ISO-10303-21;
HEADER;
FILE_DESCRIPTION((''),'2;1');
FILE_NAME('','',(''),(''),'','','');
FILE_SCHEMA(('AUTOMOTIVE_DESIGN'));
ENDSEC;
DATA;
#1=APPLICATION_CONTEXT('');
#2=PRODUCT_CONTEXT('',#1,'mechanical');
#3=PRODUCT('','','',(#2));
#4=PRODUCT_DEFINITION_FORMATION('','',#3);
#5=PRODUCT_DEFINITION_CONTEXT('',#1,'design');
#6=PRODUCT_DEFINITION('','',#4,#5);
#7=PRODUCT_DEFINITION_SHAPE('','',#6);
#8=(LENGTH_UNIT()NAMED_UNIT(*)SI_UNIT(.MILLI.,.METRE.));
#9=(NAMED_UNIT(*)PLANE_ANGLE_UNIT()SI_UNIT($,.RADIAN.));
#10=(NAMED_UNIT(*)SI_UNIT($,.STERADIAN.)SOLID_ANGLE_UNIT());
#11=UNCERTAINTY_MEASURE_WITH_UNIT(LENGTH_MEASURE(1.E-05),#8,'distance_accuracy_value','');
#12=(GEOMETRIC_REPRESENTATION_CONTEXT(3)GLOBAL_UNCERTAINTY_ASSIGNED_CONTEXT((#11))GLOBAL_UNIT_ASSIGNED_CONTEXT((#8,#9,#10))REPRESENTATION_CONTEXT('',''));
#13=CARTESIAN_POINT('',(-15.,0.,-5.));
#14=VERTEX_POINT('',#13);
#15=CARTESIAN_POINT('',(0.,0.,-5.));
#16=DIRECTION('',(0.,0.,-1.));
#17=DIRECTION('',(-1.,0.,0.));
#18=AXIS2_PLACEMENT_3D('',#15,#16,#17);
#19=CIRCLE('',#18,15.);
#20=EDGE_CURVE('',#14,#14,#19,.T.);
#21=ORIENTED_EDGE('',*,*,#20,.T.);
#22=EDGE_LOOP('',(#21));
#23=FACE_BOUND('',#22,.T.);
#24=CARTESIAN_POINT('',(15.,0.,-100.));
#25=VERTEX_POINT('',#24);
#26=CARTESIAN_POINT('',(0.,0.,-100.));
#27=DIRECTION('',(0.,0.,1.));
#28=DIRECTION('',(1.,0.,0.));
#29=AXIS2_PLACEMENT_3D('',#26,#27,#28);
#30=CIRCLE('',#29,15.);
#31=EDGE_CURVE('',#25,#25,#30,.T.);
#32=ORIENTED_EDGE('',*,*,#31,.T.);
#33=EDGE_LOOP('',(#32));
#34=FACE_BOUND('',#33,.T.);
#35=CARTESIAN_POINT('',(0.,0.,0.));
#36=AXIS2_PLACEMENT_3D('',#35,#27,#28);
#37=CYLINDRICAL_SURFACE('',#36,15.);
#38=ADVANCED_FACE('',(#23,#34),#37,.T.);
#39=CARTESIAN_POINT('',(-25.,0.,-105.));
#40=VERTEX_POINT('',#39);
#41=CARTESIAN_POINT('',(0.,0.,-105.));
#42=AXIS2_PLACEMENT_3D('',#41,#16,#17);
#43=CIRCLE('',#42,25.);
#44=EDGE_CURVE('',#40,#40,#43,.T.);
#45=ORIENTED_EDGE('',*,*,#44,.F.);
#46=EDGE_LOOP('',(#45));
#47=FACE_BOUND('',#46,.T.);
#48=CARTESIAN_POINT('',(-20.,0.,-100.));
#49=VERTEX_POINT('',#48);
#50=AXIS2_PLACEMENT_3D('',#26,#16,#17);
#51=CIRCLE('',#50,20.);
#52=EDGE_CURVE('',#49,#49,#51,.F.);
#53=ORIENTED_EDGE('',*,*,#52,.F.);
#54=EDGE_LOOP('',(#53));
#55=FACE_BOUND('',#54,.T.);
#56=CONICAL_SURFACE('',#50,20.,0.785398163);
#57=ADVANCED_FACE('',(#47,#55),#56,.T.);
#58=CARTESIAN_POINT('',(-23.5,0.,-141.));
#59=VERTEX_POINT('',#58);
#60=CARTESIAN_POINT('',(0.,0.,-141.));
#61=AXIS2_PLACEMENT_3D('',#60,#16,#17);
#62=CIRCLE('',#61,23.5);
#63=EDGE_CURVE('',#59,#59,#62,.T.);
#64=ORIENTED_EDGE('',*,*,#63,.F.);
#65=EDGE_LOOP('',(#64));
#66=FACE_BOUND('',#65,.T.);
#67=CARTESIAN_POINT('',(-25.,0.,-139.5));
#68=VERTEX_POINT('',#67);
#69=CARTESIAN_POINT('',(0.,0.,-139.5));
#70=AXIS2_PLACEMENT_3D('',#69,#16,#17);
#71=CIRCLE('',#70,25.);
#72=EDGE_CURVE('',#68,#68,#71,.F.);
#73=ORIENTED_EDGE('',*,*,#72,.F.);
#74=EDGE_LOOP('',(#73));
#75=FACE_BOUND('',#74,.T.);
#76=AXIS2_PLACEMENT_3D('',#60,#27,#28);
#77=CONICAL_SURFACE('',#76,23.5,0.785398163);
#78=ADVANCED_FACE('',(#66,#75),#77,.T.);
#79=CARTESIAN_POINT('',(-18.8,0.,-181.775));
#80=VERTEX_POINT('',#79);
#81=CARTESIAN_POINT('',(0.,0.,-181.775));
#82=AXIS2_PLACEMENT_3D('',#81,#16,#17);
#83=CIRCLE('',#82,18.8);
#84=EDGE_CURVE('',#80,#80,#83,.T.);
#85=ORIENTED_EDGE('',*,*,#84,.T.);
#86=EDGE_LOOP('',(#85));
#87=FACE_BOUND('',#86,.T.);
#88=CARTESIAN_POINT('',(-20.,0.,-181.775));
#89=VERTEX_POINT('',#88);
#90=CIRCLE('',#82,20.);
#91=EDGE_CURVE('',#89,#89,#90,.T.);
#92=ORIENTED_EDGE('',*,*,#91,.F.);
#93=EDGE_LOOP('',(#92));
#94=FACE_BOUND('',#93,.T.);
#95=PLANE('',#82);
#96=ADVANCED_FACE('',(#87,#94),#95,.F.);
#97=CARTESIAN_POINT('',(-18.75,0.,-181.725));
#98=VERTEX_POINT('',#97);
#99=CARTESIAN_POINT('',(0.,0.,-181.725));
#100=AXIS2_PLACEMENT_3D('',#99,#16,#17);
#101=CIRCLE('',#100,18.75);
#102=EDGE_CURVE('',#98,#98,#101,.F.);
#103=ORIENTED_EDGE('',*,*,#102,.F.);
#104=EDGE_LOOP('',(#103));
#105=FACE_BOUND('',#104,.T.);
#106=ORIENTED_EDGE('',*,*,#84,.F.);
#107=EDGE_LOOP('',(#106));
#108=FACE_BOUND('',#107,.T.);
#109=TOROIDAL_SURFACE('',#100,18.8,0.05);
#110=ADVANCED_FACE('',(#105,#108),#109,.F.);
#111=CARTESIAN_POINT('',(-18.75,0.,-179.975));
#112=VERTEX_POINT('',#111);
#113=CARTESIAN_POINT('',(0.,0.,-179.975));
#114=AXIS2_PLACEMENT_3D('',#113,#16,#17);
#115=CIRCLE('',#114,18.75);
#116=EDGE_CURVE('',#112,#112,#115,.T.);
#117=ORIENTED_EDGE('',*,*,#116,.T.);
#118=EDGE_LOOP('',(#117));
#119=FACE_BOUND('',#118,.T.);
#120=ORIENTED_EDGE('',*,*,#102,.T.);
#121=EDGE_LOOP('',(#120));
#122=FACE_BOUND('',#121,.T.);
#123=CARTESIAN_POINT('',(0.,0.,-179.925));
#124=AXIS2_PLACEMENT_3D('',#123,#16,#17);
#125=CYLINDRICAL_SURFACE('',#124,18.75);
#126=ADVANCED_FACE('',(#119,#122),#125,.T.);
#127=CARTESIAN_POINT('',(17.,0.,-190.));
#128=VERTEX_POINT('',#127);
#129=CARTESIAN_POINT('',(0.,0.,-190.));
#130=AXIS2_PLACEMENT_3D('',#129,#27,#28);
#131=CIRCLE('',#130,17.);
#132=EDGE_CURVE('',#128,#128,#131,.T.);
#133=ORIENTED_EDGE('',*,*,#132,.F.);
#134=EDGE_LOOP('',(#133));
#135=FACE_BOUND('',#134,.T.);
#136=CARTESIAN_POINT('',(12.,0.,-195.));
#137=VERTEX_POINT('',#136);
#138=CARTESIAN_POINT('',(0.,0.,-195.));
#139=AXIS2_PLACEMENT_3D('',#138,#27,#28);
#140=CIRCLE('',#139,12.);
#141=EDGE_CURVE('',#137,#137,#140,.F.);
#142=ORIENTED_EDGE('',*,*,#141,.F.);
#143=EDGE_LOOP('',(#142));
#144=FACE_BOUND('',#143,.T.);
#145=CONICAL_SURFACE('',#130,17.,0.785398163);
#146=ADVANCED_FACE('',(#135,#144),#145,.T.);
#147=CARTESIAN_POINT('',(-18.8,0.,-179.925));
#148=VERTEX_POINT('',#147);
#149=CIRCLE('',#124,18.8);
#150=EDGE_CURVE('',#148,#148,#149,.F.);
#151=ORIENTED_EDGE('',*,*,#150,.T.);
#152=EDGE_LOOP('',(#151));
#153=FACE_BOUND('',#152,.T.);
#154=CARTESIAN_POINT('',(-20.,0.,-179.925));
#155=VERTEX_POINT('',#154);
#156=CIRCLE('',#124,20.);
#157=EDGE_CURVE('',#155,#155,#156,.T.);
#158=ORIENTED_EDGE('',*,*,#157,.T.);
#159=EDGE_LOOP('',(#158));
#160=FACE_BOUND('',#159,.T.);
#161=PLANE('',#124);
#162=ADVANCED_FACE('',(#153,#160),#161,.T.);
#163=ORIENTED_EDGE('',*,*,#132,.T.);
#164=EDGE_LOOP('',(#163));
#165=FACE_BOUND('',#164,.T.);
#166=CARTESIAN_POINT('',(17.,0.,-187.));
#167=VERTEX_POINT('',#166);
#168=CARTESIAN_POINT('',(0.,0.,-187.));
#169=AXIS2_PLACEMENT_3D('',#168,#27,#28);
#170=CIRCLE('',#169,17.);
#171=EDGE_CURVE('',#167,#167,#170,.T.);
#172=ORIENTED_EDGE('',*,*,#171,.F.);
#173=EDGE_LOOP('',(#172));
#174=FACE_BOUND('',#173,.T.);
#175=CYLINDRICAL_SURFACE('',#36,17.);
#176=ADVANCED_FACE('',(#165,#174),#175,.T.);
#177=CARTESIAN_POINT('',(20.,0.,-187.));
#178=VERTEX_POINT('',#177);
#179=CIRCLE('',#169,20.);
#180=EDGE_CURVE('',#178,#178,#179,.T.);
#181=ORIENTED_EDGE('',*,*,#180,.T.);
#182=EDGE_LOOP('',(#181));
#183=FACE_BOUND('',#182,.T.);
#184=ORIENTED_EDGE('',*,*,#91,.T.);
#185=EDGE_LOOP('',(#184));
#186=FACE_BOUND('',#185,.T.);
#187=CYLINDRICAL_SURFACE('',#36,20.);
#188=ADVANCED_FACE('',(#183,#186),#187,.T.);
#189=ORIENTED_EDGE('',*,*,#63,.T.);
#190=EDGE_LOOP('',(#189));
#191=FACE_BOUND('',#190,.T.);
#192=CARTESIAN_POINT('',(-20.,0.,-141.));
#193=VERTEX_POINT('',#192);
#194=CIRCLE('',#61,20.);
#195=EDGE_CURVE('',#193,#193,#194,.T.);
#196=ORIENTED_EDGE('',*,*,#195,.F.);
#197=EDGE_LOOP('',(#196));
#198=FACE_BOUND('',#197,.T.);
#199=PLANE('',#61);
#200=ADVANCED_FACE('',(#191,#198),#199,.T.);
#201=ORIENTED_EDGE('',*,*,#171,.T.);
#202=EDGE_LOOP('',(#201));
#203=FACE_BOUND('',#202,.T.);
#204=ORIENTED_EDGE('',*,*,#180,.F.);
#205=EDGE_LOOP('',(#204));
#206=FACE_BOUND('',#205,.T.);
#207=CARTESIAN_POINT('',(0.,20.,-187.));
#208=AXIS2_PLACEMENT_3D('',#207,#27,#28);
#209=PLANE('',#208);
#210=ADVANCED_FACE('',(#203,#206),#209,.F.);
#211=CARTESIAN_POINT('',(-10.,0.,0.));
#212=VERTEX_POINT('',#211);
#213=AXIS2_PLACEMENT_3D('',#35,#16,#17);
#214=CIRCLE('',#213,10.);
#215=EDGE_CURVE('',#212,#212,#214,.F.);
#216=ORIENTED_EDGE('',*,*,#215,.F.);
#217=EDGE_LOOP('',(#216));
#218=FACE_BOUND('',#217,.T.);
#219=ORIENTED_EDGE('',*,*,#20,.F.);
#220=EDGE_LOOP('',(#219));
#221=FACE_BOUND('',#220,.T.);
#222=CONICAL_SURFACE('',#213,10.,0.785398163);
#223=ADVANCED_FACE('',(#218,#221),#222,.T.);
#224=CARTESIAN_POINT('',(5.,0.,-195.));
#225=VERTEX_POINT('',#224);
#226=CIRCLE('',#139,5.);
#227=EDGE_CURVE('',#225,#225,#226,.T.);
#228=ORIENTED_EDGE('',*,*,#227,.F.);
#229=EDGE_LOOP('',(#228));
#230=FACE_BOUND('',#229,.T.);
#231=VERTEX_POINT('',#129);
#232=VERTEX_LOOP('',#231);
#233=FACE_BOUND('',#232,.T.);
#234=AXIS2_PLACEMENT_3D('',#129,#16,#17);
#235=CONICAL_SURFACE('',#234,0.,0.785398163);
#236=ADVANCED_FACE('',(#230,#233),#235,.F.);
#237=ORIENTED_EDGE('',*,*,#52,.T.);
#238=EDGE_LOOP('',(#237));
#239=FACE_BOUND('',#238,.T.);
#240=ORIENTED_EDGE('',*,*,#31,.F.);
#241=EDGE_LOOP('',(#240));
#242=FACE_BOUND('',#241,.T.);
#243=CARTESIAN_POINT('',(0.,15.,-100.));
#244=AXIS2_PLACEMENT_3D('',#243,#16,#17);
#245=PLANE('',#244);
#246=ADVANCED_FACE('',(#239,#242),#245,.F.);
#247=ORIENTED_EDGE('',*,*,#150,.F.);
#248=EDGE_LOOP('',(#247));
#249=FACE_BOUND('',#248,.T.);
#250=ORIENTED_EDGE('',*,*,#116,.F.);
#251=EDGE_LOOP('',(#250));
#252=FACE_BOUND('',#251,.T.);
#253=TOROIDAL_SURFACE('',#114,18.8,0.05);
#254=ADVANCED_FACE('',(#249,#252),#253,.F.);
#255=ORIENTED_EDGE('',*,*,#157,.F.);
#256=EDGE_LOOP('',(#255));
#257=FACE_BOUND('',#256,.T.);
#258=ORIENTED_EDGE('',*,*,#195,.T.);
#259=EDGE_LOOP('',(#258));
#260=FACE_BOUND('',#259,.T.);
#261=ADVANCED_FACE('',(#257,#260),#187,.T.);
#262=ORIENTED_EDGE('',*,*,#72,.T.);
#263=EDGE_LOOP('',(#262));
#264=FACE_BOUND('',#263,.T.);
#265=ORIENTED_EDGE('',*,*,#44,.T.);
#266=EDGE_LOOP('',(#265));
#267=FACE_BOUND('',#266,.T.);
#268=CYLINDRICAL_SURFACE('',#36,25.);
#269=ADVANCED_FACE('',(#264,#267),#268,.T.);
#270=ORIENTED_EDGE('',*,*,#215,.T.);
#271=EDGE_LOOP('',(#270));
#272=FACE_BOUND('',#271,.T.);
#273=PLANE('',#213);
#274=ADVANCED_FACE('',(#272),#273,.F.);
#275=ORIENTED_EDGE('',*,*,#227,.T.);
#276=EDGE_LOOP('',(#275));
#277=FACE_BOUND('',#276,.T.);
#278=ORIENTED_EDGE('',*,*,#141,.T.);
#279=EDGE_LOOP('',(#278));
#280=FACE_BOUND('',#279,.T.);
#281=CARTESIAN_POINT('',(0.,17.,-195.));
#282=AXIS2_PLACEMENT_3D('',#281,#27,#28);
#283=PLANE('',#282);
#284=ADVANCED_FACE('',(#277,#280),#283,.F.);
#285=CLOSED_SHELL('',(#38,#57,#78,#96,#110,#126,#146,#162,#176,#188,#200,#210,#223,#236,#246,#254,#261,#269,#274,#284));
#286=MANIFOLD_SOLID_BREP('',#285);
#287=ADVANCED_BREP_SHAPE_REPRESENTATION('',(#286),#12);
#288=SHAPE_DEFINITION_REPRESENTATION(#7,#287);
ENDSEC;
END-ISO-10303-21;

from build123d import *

# Parameters (mm, degrees)
CHAMFER_1_SIZE      = 5
SKETCH_4_R          = 20
SKETCH_4_R_2        = 18.75
CUT_EXTRUDE_1_DEPTH = 1.85
FILLET_1_R          = 0.05
CHAMFER_2_SIZE      = 1.5
SKETCH_9_R          = 25
SKETCH_9_R_2        = 20
CUT_EXTRUDE_4_DEPTH = 6
CHAMFER_3_SIZE      = 1.5


with BuildPart() as part:
    # Эскиз1 → Повернуть1 (revolve)
    with BuildSketch(Plane(origin=(0, 0, 0), x_dir=(0, 0, -1), z_dir=(1, 0, 0))):
        Polygon((0, 0), (0, 15), (100, 15), (100, 25), (147, 25), (147, 20), (187, 20), (187, 17), (195, 17), (195, 5), (190, 0), align=None)
    revolve(axis=Axis((0, 0, 0), (0, 0, -1)))

    # Фаска1
    chamfer_1_edges = [part.edges().sort_by_distance(p)[0] for p in [
        (0, -25, -100),
        (0, -15, 0),
        (0, -17, -195),
    ]]
    chamfer(chamfer_1_edges, length=CHAMFER_1_SIZE)

    # Эскиз4 → Вырез-Вытянуть1 (cut)
    with BuildSketch(Plane(origin=(0, 0, -181.775), x_dir=(-1, 0, 0), z_dir=(0, 0, -1))):
        Circle(SKETCH_4_R)
        Circle(SKETCH_4_R_2, mode=Mode.SUBTRACT)
    extrude(amount=-CUT_EXTRUDE_1_DEPTH, mode=Mode.SUBTRACT)

    # Скругление1
    fillet_1_edges = [part.edges().sort_by_distance(p)[0] for p in [
        (18.75, 0, -179.925),
        (18.75, 0, -181.775),
    ]]
    fillet(fillet_1_edges, radius=FILLET_1_R)

    # Фаска2
    chamfer_2_edges = [part.edges().sort_by_distance(p)[0] for p in [
        (0, -25, -147),
    ]]
    chamfer(chamfer_2_edges, length=CHAMFER_2_SIZE)

    # Эскиз9 → Вырез-Вытянуть4 (cut)
    with BuildSketch(Plane(origin=(0, 0, -147), x_dir=(-1, 0, 0), z_dir=(0, 0, -1))):
        Circle(SKETCH_9_R)
        Circle(SKETCH_9_R_2, mode=Mode.SUBTRACT)
    extrude(amount=-CUT_EXTRUDE_4_DEPTH, mode=Mode.SUBTRACT)

    # Фаска3
    chamfer_3_edges = [part.edges().sort_by_distance(p)[0] for p in [
        (0, -25, -141),
    ]]
    chamfer(chamfer_3_edges, length=CHAMFER_3_SIZE)


solid = part.part
